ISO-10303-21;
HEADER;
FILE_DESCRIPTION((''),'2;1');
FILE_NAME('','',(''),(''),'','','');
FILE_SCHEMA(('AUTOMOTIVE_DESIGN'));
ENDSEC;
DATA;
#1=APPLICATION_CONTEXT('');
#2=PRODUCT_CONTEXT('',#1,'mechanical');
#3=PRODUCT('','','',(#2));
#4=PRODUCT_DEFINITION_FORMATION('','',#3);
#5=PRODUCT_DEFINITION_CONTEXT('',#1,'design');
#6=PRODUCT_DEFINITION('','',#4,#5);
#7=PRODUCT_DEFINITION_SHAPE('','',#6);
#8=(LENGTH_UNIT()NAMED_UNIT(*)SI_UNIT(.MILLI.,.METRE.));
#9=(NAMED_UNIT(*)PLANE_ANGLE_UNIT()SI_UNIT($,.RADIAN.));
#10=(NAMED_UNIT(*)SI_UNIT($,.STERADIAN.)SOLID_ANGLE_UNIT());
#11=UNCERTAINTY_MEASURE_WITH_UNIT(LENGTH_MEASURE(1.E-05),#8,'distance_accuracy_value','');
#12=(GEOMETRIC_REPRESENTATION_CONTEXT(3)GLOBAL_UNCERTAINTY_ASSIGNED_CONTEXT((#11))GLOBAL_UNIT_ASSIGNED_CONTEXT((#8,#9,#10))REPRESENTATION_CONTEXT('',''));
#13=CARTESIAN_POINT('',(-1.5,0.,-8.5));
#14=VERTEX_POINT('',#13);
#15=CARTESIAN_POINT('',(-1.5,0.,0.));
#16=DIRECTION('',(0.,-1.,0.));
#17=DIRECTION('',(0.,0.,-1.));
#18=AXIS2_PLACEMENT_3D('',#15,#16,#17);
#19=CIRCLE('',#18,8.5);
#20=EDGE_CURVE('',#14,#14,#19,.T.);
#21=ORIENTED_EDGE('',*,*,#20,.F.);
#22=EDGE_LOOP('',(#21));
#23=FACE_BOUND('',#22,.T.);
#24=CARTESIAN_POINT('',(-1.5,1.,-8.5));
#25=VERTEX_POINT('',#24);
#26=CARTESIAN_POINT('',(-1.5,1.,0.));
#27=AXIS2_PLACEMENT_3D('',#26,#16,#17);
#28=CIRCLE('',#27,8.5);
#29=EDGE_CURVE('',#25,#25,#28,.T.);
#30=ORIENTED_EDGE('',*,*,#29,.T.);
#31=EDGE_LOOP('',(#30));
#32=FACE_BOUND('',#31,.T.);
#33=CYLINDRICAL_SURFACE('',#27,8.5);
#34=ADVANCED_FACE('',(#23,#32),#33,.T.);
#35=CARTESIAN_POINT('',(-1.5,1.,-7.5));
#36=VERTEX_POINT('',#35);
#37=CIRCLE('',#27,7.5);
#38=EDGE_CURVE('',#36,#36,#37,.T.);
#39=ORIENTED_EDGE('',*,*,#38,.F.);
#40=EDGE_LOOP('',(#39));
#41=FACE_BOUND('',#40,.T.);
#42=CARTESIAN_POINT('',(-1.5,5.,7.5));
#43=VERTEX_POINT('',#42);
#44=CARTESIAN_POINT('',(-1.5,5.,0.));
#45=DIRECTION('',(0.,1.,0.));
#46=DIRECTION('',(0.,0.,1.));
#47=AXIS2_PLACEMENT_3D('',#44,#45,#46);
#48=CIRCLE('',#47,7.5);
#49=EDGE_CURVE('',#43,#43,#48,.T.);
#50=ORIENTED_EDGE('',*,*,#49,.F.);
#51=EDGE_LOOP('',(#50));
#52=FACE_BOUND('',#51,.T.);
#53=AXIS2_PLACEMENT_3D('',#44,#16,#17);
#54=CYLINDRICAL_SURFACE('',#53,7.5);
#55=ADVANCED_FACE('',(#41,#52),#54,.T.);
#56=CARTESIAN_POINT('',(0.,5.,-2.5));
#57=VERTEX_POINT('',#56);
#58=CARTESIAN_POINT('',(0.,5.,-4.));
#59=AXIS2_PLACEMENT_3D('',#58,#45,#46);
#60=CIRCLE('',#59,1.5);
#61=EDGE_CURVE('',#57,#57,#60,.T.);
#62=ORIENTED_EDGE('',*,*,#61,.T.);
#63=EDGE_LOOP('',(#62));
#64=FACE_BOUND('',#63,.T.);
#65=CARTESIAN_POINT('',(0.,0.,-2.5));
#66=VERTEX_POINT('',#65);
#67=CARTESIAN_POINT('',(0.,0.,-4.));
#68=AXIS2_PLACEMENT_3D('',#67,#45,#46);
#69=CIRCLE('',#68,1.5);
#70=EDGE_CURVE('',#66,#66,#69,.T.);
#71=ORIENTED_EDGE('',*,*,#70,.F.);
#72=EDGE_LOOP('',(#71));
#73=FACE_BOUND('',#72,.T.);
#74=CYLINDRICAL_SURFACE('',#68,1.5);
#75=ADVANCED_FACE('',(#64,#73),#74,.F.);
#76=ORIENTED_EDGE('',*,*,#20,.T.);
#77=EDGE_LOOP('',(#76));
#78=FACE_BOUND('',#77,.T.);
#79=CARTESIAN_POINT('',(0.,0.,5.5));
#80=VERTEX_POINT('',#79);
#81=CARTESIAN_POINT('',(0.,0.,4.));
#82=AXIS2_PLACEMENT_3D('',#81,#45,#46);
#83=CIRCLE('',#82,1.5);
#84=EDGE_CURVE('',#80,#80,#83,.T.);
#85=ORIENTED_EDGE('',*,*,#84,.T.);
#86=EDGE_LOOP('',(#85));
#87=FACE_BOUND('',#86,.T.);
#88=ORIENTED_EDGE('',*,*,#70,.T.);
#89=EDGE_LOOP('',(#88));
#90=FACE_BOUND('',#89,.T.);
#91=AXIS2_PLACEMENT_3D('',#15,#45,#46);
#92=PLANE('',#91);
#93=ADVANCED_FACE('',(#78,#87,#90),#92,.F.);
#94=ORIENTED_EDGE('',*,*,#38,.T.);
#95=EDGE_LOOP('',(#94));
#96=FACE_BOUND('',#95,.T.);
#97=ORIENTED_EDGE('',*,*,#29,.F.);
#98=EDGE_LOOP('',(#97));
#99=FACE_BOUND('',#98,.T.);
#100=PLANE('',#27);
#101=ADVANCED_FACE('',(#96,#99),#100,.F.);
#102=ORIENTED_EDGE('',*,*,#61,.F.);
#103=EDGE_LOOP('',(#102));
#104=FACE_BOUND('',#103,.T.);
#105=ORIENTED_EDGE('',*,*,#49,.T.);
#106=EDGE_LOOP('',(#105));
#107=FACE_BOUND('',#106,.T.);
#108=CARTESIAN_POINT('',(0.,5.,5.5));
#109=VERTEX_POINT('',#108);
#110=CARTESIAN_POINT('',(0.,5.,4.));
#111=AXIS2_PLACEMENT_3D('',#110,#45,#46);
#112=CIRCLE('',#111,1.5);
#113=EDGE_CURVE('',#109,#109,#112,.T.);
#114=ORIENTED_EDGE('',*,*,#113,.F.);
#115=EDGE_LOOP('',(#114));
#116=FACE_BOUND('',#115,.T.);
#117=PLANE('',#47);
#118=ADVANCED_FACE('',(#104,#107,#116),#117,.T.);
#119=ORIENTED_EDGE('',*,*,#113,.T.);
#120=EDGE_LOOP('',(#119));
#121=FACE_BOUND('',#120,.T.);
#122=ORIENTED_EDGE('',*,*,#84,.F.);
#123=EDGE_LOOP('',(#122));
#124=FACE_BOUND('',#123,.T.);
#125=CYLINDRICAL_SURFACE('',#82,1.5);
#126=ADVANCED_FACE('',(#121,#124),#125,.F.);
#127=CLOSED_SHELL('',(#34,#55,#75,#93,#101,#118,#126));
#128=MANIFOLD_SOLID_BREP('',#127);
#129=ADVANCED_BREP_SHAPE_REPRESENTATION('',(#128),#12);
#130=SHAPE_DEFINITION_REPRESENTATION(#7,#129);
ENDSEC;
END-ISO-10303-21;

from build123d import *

# Parameters (mm, degrees)
SKETCH1_R           = 7.5
BOSS_EXTRUDE1_DEPTH = 5
SKETCH2_R           = 8.5
BOSS_EXTRUDE2_DEPTH = 1
SKETCH4_R           = 1.5
CUT_EXTRUDE1_DEPTH  = 15.044571905


with BuildPart() as part:
    # Sketch1 → Boss-Extrude1 (new body)
    with BuildSketch(Plane(origin=(0, 0, 0), x_dir=(1, 0, 0), z_dir=(0, 1, 0))):
        with Locations(Location((-1.5, 0, 0), (0, 0, 270))):
            Circle(SKETCH1_R)
    extrude(amount=BOSS_EXTRUDE1_DEPTH)

    # Sketch2 → Boss-Extrude2 (add)
    with BuildSketch(Plane.XZ):
        with Locations(Location((-1.5, 0, 0), (0, 0, 270))):
            Circle(SKETCH2_R)
    extrude(amount=-BOSS_EXTRUDE2_DEPTH)

    # Sketch4 → Cut-Extrude1 (cut, through all)
    with BuildSketch(Plane(origin=(0, 5, 0), x_dir=(1, 0, 0), z_dir=(0, 1, 0))):
        with Locations(Location((0, 4, 0), (0, 0, 270))):
            Circle(SKETCH4_R)
        with Locations(Location((0, -4, 0), (0, 0, 270))):
            Circle(SKETCH4_R)
    extrude(amount=-CUT_EXTRUDE1_DEPTH, mode=Mode.SUBTRACT)


solid = part.part
